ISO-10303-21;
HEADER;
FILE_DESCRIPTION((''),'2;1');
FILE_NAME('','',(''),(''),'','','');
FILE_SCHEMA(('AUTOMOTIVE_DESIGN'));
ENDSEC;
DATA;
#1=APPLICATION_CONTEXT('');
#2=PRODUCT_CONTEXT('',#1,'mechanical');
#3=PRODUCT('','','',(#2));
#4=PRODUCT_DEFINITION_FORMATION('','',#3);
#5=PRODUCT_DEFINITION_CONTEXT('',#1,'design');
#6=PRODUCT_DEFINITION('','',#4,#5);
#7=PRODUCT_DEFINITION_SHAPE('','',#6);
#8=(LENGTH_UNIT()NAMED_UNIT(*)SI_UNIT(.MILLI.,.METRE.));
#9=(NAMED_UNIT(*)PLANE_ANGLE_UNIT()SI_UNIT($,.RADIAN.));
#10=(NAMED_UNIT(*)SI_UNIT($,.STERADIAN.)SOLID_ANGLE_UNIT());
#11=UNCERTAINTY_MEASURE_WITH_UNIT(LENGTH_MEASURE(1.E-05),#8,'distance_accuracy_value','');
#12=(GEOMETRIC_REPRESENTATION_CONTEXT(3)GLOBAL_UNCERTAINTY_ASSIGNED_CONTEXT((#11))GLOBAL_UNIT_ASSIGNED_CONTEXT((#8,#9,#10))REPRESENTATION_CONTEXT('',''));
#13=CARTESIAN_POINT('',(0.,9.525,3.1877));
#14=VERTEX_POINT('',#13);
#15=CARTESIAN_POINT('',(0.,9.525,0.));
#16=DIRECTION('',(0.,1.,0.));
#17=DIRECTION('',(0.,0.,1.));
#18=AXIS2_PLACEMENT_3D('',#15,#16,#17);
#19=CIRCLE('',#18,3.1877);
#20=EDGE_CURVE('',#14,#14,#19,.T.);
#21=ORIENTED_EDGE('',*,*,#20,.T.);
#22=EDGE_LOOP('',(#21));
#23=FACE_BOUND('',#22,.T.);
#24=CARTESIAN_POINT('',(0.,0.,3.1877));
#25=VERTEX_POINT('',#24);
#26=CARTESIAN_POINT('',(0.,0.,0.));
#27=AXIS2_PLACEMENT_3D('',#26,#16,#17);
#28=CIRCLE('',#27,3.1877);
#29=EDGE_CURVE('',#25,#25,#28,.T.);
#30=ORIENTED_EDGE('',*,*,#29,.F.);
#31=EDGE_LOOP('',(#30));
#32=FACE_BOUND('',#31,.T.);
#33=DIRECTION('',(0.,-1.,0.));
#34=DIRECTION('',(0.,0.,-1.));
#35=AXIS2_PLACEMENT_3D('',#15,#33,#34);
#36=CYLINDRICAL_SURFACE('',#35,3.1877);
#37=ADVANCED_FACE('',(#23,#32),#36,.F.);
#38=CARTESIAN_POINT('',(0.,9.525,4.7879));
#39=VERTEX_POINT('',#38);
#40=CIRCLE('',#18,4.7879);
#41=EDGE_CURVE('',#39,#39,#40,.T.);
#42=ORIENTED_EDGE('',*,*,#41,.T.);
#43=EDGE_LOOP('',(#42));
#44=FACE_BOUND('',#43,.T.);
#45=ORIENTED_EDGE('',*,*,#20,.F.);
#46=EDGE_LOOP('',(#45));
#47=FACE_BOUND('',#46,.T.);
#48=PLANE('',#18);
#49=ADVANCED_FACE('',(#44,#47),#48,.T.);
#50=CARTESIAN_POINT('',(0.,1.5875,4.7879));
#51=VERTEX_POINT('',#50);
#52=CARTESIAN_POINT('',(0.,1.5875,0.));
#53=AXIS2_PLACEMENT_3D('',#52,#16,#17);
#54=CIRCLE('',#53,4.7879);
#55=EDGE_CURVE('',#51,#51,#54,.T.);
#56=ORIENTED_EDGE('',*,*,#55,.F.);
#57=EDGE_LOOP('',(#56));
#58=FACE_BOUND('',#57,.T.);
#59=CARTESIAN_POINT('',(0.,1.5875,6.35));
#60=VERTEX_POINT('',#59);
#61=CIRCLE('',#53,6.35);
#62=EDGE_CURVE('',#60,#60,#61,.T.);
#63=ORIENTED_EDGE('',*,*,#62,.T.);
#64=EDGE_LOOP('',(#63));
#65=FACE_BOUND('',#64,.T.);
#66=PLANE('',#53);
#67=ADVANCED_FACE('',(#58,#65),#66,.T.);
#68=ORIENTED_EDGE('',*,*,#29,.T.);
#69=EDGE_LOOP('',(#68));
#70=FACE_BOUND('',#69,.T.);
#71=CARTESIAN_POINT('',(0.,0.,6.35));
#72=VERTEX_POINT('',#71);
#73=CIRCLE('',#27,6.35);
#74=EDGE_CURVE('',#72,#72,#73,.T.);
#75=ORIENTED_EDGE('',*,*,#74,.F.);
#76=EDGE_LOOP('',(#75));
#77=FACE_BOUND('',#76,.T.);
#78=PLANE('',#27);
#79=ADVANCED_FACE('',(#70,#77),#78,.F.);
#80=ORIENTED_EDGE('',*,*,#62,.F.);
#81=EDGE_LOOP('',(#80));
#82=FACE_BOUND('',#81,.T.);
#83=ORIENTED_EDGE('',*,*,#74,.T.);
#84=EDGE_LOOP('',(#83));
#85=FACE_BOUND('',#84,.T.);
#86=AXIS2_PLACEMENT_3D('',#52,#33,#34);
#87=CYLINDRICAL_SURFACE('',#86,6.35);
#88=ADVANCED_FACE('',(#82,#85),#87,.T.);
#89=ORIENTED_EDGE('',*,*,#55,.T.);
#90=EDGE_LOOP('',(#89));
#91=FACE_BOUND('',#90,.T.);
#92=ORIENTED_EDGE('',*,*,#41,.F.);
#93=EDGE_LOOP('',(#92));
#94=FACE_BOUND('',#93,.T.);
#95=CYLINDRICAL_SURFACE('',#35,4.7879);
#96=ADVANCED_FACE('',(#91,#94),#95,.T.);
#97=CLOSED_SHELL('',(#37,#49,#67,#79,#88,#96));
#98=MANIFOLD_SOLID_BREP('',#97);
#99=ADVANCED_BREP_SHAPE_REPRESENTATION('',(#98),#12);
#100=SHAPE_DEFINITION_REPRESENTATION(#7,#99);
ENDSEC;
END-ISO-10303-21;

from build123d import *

# Parameters (mm, degrees)
SKETCH2_R           = 4.7879
SKETCH2_R_2         = 3.1877
BOSS_EXTRUDE1_DEPTH = 9.525
SKETCH3_R           = 6.35
SKETCH3_R_2         = 4.7879
BOSS_EXTRUDE2_DEPTH = 1.5875


with BuildPart() as part:
    # Sketch2 → Boss-Extrude1 (new body)
    with BuildSketch(Plane(origin=(0, 0, 0), x_dir=(1, 0, 0), z_dir=(0, 1, 0))):
        Circle(SKETCH2_R)
        Circle(SKETCH2_R_2, mode=Mode.SUBTRACT)
    extrude(amount=BOSS_EXTRUDE1_DEPTH)

    # Sketch3 → Boss-Extrude2 (add)
    with BuildSketch(Plane(origin=(0, 0, 0), x_dir=(1, 0, 0), z_dir=(0, 1, 0))):
        Circle(SKETCH3_R)
        Circle(SKETCH3_R_2, mode=Mode.SUBTRACT)
    extrude(amount=BOSS_EXTRUDE2_DEPTH)


solid = part.part
